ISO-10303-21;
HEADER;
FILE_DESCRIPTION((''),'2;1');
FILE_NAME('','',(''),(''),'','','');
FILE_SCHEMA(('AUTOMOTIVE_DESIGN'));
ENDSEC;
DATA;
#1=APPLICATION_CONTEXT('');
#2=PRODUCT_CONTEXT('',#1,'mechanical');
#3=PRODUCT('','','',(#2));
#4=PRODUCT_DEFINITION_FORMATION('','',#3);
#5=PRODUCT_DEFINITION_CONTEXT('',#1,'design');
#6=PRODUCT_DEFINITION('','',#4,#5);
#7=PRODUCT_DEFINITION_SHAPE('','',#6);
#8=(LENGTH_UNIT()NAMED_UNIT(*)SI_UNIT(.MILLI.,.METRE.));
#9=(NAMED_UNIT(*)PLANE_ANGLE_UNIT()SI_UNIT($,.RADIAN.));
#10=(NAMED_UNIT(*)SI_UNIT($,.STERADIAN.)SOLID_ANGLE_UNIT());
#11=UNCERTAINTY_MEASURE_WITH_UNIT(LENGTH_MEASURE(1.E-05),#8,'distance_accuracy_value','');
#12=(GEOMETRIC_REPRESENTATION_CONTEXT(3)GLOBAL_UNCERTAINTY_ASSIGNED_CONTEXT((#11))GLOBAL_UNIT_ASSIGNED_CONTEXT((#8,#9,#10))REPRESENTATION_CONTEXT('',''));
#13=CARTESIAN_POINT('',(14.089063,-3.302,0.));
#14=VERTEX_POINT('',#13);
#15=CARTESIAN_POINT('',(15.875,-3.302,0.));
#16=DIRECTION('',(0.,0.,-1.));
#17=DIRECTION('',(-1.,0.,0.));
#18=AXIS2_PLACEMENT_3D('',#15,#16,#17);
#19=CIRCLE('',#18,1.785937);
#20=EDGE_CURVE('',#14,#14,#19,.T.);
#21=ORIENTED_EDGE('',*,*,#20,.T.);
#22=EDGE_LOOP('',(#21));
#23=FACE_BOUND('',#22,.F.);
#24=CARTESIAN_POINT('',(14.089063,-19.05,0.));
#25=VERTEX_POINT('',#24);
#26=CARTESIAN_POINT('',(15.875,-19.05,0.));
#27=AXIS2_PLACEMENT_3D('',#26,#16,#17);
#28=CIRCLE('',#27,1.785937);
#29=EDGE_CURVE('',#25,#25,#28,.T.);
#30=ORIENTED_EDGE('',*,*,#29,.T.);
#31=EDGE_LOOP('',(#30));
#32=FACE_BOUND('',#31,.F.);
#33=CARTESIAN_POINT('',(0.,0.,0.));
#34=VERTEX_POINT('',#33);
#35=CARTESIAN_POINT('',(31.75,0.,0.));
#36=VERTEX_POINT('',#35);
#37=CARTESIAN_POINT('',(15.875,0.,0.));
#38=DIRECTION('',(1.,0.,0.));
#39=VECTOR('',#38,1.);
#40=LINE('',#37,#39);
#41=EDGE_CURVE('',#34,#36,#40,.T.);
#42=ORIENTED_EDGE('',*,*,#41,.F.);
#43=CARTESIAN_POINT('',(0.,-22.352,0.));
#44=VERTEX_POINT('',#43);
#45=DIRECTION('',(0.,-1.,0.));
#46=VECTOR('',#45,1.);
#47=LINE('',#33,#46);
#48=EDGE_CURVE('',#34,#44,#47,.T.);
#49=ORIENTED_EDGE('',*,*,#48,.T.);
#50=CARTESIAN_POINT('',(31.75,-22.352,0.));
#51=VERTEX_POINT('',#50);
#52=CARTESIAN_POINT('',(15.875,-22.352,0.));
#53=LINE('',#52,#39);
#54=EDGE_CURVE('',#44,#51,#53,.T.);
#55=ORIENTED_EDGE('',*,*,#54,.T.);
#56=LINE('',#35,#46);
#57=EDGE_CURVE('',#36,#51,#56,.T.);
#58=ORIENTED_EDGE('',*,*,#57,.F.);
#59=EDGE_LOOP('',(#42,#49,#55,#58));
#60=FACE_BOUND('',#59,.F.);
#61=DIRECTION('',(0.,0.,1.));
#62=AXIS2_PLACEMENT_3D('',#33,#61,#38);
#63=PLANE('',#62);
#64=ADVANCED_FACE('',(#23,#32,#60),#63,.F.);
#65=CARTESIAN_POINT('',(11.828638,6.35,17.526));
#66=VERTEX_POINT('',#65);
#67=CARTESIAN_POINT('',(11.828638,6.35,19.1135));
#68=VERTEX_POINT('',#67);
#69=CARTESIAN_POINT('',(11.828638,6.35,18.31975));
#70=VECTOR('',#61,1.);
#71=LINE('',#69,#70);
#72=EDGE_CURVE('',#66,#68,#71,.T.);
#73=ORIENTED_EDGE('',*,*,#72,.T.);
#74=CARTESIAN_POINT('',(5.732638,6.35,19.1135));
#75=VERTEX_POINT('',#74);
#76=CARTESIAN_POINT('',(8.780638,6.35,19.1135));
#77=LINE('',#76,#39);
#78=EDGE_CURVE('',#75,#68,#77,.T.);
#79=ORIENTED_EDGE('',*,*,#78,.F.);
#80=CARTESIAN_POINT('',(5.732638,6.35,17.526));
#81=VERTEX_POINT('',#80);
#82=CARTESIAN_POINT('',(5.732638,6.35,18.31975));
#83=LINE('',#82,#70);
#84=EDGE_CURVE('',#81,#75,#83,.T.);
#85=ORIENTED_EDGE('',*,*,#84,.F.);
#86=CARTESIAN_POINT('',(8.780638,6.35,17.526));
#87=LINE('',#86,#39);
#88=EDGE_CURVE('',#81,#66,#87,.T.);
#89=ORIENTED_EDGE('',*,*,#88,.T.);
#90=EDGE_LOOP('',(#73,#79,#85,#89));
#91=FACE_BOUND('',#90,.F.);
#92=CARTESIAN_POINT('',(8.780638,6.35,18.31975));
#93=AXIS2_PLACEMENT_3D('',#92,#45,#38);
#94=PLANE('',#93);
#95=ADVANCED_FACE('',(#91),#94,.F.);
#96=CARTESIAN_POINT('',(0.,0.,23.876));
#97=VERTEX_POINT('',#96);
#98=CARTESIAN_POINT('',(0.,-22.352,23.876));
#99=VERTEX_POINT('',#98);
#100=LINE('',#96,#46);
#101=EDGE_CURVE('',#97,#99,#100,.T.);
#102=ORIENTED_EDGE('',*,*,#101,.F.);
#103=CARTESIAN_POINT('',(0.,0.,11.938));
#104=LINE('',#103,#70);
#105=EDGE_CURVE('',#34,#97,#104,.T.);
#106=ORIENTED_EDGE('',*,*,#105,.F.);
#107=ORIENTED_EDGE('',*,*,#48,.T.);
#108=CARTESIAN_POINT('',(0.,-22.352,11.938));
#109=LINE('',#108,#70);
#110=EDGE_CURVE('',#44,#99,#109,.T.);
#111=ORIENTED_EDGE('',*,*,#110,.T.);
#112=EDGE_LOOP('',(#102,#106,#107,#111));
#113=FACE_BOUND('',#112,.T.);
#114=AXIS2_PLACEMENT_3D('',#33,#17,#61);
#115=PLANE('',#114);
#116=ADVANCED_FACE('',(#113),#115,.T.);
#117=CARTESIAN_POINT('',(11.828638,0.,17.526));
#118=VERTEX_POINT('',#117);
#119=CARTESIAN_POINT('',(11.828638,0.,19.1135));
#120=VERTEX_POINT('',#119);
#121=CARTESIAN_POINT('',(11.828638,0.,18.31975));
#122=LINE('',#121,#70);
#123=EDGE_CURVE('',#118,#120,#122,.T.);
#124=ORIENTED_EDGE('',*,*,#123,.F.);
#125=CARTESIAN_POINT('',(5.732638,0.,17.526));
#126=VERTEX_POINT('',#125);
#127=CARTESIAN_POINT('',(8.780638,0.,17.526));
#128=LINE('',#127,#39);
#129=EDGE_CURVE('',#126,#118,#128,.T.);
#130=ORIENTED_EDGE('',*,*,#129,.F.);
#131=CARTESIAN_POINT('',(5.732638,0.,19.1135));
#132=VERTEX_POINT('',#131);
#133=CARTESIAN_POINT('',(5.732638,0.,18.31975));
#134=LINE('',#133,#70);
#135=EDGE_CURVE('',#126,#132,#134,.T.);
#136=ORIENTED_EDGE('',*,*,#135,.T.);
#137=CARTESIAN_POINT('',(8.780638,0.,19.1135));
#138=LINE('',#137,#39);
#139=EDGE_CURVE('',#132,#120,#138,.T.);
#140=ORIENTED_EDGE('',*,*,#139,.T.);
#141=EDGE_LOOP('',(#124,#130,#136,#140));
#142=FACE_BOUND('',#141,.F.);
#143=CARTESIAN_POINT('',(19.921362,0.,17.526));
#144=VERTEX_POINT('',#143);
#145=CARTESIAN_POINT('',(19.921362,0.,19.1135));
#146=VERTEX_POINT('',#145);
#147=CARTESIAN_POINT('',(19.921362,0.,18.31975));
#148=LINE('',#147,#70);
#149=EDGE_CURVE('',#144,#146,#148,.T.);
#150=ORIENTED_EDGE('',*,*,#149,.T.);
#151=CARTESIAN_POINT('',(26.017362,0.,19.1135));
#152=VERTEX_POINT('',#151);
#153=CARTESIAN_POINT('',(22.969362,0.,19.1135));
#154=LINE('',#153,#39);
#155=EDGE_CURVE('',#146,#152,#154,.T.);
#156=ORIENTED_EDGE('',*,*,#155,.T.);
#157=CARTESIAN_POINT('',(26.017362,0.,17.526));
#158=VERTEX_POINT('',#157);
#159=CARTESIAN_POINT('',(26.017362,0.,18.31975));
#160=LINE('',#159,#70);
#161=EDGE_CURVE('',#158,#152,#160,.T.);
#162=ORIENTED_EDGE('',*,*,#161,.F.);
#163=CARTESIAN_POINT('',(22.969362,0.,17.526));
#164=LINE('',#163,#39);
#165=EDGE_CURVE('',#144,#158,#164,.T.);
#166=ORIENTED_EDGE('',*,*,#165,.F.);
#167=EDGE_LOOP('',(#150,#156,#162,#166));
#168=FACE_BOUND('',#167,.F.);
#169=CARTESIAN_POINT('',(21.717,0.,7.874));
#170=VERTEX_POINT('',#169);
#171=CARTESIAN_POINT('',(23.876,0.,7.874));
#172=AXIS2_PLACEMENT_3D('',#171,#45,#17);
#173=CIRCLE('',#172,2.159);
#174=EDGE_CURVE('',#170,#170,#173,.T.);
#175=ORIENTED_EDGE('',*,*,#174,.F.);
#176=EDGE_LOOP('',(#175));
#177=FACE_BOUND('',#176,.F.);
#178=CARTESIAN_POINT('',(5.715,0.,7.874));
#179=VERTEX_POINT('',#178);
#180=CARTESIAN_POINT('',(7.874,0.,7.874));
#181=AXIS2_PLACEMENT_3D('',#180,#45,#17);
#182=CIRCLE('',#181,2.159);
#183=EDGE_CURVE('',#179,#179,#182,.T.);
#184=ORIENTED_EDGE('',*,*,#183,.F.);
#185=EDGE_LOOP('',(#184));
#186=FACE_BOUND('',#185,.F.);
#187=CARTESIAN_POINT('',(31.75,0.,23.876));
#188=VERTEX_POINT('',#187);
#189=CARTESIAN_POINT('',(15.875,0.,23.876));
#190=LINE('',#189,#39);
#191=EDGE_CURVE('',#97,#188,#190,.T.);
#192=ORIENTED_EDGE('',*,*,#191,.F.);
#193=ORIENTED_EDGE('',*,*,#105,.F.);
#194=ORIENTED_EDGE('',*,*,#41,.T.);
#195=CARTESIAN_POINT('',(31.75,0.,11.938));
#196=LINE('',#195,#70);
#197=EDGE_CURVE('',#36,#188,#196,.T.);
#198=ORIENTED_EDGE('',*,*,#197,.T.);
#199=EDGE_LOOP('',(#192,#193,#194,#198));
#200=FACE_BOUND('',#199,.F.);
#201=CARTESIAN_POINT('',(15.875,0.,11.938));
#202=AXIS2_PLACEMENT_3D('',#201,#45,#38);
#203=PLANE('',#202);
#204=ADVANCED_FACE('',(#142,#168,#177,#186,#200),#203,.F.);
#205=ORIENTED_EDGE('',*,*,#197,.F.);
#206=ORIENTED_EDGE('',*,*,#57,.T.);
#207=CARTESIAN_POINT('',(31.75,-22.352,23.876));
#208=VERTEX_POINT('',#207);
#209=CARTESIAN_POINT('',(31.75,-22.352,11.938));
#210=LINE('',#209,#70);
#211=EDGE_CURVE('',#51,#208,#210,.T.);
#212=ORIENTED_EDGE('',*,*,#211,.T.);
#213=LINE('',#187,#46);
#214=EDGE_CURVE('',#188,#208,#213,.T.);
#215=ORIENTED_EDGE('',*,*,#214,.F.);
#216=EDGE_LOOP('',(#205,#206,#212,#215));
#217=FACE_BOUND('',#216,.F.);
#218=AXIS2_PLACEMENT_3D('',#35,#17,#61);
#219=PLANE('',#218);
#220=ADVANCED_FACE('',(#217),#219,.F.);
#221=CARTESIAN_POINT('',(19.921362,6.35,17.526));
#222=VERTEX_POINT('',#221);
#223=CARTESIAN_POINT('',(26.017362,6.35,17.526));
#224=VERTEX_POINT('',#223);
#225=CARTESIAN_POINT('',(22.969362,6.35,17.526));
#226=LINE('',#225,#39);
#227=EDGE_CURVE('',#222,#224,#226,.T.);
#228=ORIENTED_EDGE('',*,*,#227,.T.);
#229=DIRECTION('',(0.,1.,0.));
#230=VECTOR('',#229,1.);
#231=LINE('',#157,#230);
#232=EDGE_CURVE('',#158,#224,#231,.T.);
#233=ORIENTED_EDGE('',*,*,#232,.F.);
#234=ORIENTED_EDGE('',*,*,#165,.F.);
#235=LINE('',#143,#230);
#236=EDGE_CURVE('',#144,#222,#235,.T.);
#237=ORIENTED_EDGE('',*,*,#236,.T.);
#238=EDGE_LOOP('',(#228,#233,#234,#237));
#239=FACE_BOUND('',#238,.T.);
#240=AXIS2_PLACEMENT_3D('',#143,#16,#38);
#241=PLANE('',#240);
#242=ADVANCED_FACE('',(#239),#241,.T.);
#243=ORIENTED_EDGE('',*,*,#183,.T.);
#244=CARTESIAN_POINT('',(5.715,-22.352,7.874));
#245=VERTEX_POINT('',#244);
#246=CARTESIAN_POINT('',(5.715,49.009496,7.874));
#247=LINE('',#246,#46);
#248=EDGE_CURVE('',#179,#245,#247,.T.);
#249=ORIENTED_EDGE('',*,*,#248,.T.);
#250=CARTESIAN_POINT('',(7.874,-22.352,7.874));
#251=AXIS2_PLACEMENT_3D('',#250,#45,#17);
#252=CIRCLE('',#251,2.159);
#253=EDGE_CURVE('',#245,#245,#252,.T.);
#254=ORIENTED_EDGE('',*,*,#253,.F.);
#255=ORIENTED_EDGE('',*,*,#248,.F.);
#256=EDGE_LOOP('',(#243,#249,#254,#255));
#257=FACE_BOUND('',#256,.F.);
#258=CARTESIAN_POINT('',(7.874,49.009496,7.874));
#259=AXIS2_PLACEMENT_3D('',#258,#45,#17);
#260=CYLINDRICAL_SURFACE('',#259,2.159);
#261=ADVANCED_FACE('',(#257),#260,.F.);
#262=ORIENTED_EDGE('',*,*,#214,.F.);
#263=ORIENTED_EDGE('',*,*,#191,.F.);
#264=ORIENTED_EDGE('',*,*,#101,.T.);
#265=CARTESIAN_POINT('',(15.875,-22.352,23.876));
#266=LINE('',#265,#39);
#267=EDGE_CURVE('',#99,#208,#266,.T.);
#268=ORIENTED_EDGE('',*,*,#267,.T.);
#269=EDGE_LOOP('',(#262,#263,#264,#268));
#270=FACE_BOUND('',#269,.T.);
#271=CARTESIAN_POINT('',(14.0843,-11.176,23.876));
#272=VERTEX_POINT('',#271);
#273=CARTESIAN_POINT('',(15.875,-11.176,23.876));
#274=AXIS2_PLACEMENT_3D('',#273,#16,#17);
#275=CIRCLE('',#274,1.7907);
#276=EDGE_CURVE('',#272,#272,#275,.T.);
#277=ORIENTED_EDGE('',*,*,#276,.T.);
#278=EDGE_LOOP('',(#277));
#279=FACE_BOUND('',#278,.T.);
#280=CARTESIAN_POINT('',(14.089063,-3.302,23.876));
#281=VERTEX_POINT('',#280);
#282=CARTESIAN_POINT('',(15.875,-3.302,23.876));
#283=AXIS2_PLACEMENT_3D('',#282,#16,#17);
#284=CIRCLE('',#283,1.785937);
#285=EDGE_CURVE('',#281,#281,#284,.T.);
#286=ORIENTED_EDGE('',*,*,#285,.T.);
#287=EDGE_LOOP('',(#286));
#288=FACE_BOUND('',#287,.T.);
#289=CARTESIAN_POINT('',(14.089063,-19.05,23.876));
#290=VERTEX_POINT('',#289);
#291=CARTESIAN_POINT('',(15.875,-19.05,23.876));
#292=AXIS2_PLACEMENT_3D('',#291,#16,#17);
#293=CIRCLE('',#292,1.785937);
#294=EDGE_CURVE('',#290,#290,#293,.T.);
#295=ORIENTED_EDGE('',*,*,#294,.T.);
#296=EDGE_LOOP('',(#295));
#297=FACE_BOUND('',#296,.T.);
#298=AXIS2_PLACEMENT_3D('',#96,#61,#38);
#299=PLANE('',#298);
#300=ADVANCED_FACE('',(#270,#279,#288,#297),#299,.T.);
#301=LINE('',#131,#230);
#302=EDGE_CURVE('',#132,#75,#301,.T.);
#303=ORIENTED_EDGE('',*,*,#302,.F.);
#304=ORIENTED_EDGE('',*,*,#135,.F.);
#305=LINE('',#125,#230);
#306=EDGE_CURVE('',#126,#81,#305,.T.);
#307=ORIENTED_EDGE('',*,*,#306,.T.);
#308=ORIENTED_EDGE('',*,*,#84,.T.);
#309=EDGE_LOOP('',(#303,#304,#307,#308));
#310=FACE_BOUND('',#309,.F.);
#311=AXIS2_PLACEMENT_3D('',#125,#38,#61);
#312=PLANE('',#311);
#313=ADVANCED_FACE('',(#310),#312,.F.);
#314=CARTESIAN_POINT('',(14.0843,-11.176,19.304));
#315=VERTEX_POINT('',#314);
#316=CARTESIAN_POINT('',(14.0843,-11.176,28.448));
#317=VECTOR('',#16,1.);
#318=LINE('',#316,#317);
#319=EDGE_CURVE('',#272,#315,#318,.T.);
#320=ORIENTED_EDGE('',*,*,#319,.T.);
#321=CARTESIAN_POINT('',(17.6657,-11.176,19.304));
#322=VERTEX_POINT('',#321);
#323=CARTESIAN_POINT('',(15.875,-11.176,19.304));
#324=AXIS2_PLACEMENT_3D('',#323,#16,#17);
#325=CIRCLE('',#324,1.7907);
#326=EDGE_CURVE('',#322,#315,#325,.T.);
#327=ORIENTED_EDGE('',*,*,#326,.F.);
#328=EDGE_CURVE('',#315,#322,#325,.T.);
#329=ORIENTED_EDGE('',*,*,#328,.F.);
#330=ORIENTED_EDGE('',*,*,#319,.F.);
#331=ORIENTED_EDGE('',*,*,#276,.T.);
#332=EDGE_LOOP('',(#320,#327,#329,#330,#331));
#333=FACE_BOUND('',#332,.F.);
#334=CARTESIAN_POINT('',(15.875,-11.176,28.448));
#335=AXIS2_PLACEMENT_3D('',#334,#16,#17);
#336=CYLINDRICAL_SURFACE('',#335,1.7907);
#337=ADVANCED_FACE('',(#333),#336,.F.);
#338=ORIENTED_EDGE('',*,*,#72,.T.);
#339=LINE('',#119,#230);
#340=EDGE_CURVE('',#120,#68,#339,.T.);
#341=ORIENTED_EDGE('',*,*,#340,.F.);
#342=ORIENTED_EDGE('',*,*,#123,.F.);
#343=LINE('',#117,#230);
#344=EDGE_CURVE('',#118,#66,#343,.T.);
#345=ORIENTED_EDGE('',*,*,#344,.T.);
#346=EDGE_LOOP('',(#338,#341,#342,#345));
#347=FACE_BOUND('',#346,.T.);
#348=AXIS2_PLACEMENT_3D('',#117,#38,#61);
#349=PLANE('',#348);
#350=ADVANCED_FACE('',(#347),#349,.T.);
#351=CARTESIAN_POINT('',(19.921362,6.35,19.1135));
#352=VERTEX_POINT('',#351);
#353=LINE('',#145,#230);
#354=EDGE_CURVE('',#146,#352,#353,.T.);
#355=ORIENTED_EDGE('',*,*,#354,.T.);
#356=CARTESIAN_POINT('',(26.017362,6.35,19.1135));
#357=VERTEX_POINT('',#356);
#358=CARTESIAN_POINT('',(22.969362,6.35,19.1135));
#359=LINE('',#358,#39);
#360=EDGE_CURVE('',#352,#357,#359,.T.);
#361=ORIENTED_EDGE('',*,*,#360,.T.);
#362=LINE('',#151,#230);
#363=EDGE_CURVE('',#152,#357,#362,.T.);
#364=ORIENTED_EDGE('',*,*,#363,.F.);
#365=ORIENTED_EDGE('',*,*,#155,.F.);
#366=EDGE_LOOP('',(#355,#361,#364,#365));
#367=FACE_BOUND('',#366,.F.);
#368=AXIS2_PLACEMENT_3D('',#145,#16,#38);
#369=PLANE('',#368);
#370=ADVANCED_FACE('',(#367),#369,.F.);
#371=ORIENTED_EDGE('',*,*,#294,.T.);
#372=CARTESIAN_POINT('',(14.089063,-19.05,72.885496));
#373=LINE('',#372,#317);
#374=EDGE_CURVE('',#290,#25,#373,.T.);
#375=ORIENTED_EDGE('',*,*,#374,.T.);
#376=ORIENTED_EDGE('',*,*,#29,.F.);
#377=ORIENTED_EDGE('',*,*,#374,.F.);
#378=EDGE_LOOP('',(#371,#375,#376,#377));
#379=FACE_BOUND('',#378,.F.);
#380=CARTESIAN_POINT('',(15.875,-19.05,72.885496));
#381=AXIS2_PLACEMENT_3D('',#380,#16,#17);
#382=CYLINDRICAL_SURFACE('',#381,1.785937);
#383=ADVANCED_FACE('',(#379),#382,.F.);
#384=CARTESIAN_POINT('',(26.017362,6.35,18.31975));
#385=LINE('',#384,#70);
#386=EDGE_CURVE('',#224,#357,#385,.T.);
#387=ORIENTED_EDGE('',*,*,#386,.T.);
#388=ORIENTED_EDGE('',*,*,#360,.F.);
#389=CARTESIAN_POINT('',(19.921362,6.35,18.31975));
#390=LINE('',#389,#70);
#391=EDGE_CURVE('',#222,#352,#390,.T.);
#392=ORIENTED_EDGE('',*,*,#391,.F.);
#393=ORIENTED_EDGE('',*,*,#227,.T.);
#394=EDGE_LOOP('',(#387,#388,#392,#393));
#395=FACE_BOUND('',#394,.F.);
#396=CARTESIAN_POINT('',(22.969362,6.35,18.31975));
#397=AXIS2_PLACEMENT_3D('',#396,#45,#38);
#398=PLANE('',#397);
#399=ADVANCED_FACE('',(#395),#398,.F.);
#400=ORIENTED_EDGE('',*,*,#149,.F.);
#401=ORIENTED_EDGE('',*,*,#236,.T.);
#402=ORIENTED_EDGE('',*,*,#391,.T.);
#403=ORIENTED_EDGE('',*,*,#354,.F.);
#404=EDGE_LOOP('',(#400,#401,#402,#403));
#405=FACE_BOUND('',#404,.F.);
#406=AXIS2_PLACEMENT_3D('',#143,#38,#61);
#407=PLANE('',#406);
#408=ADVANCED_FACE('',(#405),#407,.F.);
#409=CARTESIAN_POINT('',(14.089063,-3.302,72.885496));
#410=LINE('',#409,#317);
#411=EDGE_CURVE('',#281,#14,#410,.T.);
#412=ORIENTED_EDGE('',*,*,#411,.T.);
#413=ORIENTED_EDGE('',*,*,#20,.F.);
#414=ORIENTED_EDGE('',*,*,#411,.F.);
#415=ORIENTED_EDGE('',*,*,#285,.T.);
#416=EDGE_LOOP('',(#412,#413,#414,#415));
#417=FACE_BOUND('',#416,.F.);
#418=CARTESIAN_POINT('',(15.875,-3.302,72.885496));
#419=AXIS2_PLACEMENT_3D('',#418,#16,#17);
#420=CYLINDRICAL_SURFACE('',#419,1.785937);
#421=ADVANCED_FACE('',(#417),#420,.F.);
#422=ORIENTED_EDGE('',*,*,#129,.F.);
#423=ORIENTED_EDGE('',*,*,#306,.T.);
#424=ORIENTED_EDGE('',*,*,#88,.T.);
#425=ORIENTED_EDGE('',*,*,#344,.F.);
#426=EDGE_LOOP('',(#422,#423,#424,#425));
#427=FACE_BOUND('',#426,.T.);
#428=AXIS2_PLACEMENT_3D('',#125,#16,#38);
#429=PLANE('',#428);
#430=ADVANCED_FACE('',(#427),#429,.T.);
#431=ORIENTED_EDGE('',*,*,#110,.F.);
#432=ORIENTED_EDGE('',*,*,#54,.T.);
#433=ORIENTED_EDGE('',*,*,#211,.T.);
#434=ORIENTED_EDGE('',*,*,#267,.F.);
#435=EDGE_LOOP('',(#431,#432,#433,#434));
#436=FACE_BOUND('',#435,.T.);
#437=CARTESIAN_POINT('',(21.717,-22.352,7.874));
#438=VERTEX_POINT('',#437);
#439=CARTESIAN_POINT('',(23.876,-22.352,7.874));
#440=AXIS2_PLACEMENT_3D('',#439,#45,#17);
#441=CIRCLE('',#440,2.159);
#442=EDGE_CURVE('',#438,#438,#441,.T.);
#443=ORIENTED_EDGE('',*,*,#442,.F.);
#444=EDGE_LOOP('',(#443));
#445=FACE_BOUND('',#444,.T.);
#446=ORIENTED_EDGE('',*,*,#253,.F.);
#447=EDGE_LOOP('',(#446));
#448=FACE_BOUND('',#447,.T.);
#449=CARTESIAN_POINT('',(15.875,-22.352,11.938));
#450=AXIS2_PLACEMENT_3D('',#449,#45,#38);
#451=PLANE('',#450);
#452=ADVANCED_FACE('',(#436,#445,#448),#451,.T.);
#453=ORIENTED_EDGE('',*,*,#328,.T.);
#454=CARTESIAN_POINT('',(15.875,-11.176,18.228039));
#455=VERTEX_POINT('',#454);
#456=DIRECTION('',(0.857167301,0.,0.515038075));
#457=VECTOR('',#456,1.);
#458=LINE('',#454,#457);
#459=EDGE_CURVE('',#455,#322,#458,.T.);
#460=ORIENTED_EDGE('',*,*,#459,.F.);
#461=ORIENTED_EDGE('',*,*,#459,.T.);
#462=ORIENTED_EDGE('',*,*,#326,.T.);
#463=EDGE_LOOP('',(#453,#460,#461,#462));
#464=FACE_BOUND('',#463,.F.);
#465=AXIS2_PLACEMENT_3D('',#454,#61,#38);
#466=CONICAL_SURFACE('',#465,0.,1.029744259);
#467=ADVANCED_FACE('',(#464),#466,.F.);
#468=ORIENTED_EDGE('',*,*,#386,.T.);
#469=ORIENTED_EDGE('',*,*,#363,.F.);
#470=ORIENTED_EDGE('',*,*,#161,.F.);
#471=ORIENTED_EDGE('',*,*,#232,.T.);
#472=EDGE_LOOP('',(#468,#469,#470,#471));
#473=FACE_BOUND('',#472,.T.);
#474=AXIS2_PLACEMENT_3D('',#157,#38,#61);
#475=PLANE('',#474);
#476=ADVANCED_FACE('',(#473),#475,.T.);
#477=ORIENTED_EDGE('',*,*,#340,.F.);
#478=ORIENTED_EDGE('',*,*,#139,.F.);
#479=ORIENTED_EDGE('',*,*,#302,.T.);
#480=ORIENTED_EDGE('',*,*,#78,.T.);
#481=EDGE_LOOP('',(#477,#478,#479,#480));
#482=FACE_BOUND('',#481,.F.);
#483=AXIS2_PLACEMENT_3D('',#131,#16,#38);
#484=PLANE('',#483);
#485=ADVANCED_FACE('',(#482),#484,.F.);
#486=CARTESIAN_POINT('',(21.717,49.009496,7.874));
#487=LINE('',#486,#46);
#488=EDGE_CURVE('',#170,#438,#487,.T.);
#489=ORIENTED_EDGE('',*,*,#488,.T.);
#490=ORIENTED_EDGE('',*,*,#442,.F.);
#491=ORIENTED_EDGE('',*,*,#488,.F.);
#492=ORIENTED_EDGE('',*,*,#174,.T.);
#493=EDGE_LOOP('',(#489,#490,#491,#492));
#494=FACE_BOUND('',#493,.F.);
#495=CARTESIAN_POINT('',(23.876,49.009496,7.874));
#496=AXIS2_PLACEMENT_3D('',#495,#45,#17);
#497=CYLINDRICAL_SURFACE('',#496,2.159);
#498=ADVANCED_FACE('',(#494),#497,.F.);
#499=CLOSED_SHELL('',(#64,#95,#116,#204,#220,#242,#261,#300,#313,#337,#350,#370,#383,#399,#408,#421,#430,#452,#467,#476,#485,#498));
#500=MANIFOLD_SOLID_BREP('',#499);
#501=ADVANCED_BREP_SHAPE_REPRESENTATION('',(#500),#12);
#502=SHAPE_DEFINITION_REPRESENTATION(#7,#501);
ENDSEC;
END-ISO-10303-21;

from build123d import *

# Parameters (mm, degrees)
F0_W     = 31.75
F0_H     = 23.876
F0_W_2   = 6.096
F0_H_2   = 1.5875
F1_DEPTH = 22.352
F2_DEPTH = 6.35
F3_D     = 4.318
F5_D     = 3.571875
F6_D     = 3.5814
F6_DEPTH = 4.572
F6_TIP   = 1.0759611105


with BuildPart() as f1:
    # F0 (on Front) → F1 (new body)
    with BuildSketch(Plane.XZ):
        with Locations((15.875, 11.938)):
            Rectangle(F0_W, F0_H)
        with Locations((8.780638318, 18.31975)):
            Rectangle(F0_W_2, F0_H_2, mode=Mode.SUBTRACT)
        with Locations((22.969361682, 18.31975)):
            Rectangle(F0_W_2, F0_H_2, mode=Mode.SUBTRACT)
        with Locations((8.780638318, 18.31975)):
            Rectangle(F0_W_2, F0_H_2)
        with Locations((22.969361682, 18.31975)):
            Rectangle(F0_W_2, F0_H_2)
    extrude(amount=F1_DEPTH)

    # F0 (on Front) → F2 (join)
    with BuildSketch(Plane.XZ):
        with Locations((22.969361682, 18.31975)):
            Rectangle(F0_W_2, F0_H_2)
        with Locations((8.780638318, 18.31975)):
            Rectangle(F0_W_2, F0_H_2)
    extrude(amount=-F2_DEPTH)

    # F3 (through all)
    with Locations(Plane(origin=(0, 0, 0), x_dir=(1, 0, 0), z_dir=(0, 1, 0))):
        with Locations((7.874, -7.874), (23.876, -7.874)):
            Hole(F3_D / 2)

    # F5 (through all)
    with Locations(Plane.XY.offset(23.876)):
        with Locations((15.875, -3.302), (15.875, -19.05)):
            Hole(F5_D / 2)

    # F6
    with Locations(Plane.XY.offset(23.876)):
        with Locations((15.875, -11.176)):
            Hole(F6_D / 2, depth=F6_DEPTH)
            with Locations((0, 0, -(F6_DEPTH + F6_TIP / 2))):  # 118° drill point
                Cone(0, F6_D / 2, F6_TIP, mode=Mode.SUBTRACT)


solid = f1.part
